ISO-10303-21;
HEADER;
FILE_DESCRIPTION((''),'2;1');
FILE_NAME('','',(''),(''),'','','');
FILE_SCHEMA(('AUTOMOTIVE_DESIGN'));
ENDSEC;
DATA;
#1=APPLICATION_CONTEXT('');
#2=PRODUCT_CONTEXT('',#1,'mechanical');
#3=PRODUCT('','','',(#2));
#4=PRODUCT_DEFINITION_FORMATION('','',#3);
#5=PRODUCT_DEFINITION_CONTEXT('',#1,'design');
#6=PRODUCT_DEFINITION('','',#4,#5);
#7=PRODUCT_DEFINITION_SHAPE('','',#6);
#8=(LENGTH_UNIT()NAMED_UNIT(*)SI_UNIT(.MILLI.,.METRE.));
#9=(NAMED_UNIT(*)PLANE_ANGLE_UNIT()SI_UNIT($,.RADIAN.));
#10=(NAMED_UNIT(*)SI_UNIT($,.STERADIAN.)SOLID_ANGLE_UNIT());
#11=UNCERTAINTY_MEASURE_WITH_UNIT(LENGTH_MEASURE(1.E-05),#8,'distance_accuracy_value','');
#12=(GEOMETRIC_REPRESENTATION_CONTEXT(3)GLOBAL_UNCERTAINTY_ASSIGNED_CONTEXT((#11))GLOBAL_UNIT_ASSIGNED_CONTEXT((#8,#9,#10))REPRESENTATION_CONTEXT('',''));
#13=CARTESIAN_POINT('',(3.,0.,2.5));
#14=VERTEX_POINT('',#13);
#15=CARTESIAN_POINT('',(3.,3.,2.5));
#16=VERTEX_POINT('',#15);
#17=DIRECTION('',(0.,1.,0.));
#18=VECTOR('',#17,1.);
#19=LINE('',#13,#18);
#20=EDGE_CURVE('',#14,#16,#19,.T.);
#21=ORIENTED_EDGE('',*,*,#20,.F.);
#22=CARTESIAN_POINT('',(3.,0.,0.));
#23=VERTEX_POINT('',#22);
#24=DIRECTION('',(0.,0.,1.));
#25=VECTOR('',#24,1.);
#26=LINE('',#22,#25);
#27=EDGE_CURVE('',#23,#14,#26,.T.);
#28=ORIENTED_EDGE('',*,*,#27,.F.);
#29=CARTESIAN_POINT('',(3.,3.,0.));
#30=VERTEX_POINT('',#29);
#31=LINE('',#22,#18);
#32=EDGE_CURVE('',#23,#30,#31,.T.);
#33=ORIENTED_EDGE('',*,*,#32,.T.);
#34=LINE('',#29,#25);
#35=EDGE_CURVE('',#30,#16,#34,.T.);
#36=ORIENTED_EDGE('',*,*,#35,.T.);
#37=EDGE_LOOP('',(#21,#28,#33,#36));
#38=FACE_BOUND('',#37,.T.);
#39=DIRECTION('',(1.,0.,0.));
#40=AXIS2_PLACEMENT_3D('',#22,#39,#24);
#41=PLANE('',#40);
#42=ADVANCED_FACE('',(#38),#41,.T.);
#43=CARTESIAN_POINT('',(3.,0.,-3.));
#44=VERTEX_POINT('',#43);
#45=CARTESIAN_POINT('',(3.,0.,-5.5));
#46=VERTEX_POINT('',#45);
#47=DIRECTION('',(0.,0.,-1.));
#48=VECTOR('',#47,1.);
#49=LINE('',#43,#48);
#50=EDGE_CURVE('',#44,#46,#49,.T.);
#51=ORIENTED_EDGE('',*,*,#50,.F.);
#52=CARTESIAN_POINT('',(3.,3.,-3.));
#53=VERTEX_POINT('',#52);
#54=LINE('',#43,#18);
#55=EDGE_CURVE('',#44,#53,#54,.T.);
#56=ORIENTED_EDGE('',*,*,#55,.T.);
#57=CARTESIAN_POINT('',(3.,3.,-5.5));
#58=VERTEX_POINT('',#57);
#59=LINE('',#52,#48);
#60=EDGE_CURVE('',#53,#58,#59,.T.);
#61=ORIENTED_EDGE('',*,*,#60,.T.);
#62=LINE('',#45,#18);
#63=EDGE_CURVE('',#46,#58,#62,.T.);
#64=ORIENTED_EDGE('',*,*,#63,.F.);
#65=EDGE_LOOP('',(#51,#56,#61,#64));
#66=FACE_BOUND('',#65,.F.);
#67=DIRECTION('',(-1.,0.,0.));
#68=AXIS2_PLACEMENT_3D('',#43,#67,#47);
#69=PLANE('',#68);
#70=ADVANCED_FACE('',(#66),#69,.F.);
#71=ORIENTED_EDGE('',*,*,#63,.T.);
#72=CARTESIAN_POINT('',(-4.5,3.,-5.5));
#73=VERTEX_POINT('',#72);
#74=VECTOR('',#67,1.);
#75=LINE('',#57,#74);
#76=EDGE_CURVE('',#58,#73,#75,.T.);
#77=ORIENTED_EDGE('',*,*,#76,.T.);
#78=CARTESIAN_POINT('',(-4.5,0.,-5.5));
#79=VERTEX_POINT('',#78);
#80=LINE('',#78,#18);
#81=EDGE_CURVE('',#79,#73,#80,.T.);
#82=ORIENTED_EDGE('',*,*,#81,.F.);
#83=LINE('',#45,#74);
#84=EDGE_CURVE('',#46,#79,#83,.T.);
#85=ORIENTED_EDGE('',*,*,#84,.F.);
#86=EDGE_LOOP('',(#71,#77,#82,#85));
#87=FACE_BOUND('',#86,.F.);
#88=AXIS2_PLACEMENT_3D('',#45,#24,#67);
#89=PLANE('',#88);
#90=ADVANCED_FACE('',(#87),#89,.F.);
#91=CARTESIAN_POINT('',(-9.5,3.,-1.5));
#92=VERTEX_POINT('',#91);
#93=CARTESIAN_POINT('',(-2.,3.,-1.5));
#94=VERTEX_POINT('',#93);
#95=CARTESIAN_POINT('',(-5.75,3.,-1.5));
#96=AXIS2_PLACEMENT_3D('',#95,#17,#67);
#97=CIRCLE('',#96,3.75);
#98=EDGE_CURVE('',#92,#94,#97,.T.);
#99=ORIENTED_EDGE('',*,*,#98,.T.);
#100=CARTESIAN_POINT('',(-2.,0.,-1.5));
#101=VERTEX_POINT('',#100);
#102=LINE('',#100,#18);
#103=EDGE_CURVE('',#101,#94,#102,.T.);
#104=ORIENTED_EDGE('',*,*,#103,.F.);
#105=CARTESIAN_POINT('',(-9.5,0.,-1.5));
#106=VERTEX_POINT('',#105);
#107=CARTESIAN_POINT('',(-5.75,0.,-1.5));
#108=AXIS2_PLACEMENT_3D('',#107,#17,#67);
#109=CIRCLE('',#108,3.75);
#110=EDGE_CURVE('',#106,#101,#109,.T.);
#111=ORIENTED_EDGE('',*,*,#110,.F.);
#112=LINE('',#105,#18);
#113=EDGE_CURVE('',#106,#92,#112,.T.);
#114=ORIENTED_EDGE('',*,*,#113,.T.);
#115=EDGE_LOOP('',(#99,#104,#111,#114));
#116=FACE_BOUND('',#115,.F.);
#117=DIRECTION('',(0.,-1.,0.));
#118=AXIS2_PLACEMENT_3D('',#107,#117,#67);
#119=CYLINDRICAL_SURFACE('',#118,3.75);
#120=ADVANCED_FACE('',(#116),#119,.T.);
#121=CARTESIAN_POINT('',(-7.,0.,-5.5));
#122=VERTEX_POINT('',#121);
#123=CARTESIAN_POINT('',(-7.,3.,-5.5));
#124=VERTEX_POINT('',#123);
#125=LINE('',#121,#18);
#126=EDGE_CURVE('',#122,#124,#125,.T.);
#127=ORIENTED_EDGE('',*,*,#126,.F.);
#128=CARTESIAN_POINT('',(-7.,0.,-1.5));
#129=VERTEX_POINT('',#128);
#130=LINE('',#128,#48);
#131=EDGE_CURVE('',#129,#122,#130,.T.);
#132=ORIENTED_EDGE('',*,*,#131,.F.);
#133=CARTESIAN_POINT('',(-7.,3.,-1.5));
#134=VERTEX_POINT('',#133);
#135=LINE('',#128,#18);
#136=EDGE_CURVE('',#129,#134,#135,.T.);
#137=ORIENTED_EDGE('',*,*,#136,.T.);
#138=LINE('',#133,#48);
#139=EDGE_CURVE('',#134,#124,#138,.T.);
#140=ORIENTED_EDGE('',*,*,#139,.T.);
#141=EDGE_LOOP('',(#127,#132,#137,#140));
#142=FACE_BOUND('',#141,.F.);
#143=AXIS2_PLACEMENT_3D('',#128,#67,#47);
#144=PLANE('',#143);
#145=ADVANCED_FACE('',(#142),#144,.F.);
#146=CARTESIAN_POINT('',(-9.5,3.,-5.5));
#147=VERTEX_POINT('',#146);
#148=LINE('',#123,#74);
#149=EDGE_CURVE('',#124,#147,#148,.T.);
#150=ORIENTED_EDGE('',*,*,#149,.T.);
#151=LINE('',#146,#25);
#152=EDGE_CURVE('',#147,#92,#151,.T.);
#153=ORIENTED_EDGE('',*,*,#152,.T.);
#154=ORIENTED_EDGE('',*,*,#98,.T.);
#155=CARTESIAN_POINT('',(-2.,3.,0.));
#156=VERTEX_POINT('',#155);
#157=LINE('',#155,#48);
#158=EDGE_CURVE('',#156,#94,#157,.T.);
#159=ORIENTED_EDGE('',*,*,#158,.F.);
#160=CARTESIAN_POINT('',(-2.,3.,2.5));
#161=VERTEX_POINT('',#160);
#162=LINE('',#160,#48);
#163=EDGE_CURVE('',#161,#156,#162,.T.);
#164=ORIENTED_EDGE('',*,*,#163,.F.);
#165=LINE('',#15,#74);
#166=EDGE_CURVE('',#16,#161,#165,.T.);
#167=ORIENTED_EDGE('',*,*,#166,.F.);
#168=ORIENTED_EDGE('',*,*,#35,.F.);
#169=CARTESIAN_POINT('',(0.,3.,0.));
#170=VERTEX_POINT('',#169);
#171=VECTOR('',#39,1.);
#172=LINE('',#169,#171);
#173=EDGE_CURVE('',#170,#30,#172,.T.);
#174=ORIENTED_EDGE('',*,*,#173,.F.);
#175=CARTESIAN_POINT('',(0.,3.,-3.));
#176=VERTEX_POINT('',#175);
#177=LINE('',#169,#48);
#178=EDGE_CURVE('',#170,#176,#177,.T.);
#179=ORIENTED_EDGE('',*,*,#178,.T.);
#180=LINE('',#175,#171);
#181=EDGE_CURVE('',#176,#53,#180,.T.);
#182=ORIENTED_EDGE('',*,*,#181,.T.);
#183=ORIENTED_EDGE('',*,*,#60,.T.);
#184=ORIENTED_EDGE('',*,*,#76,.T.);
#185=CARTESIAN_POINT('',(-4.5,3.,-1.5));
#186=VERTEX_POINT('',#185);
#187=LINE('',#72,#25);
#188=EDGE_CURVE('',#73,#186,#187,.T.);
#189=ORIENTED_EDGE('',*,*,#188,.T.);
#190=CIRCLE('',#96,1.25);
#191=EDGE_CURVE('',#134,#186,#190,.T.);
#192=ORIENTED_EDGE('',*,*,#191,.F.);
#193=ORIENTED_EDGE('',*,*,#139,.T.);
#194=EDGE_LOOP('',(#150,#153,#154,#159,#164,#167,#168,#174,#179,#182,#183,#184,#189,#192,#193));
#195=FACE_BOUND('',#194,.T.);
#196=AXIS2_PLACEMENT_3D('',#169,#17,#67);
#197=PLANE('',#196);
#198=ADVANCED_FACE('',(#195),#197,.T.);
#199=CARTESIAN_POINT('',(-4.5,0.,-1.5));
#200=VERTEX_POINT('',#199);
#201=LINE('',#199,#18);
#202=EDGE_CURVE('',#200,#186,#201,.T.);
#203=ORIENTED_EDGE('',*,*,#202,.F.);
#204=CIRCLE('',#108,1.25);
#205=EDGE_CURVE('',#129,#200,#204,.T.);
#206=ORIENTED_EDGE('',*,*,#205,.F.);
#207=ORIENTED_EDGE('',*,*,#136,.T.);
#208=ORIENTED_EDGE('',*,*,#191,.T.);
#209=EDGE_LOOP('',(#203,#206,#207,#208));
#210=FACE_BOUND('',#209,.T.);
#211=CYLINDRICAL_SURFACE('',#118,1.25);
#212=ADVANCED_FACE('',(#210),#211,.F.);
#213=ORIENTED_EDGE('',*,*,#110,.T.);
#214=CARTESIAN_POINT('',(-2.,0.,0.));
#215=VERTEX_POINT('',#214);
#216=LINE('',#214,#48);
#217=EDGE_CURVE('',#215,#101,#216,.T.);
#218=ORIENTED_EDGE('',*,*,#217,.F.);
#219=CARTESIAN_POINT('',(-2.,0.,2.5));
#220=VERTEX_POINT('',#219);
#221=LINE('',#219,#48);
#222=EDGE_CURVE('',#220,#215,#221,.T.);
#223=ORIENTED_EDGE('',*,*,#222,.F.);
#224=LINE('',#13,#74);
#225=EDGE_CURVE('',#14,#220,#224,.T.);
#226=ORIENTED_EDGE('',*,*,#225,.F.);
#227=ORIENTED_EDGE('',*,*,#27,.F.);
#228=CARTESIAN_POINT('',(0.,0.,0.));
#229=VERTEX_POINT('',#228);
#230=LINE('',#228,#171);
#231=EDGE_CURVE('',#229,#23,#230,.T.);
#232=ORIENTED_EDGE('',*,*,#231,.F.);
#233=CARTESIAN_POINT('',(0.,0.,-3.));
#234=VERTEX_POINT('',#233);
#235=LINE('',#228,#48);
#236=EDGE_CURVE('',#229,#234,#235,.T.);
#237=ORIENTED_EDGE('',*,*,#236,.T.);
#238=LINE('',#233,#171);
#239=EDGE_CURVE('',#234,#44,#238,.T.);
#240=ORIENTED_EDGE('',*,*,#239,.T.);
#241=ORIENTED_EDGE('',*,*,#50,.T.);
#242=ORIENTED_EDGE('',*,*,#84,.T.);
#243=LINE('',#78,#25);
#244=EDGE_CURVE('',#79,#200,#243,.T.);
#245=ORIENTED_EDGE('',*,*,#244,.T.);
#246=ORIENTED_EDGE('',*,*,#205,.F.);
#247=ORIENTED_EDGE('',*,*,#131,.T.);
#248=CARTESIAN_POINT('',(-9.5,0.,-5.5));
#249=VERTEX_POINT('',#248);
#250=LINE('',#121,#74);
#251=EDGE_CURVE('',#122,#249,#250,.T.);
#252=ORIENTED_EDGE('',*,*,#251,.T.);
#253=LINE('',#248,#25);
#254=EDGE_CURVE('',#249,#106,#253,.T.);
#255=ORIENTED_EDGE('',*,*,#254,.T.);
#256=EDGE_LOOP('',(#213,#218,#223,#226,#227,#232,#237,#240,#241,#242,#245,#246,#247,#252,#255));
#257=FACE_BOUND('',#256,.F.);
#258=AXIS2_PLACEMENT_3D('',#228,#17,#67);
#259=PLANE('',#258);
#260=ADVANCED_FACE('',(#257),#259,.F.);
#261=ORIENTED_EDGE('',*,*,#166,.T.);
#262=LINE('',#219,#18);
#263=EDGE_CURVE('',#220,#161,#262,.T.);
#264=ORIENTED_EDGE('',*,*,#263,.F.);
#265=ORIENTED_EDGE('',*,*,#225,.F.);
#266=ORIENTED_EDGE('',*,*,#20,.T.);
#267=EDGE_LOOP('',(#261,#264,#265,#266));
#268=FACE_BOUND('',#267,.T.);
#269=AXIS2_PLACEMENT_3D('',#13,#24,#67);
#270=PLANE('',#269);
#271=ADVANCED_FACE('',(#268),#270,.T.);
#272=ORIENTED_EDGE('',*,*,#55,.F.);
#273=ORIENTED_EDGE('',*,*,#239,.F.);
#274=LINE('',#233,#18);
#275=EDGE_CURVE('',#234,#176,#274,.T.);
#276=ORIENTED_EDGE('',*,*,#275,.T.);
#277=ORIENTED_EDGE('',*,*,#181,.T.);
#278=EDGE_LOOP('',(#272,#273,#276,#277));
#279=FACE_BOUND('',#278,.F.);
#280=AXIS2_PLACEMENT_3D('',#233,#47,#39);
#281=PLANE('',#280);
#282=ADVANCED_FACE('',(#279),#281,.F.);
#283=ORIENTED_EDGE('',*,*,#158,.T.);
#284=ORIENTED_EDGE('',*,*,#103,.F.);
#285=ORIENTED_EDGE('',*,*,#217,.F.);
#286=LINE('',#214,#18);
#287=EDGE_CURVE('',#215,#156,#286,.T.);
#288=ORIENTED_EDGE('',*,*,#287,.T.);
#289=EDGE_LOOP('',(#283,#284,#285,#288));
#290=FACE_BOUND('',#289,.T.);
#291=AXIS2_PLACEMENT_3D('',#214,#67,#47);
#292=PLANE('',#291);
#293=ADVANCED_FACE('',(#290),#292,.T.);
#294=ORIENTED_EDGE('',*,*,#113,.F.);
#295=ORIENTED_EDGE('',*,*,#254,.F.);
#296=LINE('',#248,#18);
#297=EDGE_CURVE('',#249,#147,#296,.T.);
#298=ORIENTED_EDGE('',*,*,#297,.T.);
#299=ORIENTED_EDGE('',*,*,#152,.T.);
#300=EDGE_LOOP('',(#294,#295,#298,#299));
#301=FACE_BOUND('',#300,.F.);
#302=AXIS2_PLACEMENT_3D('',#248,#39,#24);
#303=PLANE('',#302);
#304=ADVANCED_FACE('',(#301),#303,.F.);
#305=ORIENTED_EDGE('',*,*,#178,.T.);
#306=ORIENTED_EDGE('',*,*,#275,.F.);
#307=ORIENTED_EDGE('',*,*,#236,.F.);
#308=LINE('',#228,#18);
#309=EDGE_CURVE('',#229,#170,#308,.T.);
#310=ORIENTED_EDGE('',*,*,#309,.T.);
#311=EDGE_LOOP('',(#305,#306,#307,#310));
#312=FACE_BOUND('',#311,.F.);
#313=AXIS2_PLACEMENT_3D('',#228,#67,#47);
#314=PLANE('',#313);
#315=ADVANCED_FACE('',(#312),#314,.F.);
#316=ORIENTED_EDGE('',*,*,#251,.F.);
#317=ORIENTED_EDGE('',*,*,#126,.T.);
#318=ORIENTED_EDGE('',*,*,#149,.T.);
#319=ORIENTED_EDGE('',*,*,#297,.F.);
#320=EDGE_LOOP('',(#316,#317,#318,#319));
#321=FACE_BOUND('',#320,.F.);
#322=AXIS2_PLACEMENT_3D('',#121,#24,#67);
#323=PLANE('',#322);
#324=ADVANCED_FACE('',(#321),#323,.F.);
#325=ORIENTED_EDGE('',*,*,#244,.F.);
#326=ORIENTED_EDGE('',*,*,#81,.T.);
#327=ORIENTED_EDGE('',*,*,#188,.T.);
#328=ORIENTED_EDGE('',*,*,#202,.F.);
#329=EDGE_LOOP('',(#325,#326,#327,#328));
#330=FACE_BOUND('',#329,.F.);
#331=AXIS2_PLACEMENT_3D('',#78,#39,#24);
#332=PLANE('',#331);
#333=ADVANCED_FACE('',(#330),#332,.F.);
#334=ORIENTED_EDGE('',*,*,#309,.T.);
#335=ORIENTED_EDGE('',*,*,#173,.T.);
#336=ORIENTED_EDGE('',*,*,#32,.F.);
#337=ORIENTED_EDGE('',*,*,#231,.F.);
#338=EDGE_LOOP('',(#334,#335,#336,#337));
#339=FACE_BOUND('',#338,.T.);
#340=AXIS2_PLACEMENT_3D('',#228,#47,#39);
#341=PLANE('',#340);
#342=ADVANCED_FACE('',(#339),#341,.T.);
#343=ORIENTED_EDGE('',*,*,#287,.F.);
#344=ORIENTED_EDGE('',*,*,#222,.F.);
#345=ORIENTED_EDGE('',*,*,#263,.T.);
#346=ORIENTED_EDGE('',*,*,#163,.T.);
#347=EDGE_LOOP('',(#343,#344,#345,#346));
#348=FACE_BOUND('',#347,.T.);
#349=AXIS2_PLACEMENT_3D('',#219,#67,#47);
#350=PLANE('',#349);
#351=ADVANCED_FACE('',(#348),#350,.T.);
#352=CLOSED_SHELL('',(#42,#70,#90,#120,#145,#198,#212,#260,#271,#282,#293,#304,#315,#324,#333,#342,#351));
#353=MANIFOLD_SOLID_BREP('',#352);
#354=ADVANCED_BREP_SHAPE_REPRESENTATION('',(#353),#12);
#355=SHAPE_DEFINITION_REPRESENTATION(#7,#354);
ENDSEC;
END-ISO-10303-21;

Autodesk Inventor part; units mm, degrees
ref_plane "YZ Plane" through (0, 0, 0) normal (1, 0, 0) x (0, 1, 0)
ref_plane "XZ Plane" through (0, 0, 0) normal (0, 1, 0) x (-1, 0, 0)
ref_plane "XY Plane" through (0, 0, 0) normal (0, 0, 1) x (1, 0, 0)
sketch "Sketch1" plane through (0, 0, 0) normal (0, 1, 0) x (-1, 0, 0)
  line L0 (0, 0) -> (0, -3)
  line L1 (0, -3) -> (-3, -3)
  line L2 (0, 0) -> (-3, 0)
  line L3 (-3, 0) -> (-3, 2.5)
  line L4 (-3, 2.5) -> (2, 2.5)
  line L5 (2, 2.5) -> (2, 0)
  line L6 (-3, -3) -> (-3, -5.5)
  line L7 (-3, -5.5) -> (4.5, -5.5)
  line L8 (4.5, -5.5) -> (4.5, -1.5)
  arc A0 (7, -1.5) -> (4.5, -1.5) centre (5.75, -1.5) ccw
  line L9 (7, -1.5) -> (7, -5.5)
  line L10 (7, -5.5) -> (9.5, -5.5)
  line L11 (9.5, -5.5) -> (9.5, -1.5)
  line L12 (2, 0) -> (2, -1.5)
  line L13 (4.5, -1.5) -> (2, -1.5) construction
  arc A1 (9.5, -1.5) -> (2, -1.5) centre (5.75, -1.5) ccw
  line L14 (2, -1.5) -> (2, -1.5)
  dimension "d0" = 3
  dimension "d1" = 3
  dimension "d2" = 2.5
  dimension "d3" = 5
  dimension "d4" = 2.5
  dimension "d5" = 7.5
  dimension "d6" = 2.5
  dimension "d7" = 1.25
  dimension "d8" = 2.5
  dimension "d9" = 2.5
  dimension "d10" = 3
  dimension "d13" = 0
  dimension "d14" = 2
extrude "Extrusion1" add sketch "Sketch1" along normal blind 3
equation "\"d2\" = d4"
equation "\"d8\" = d4"
equation "\"d10\" = d1"
properties part number "rubber_band_hook"
